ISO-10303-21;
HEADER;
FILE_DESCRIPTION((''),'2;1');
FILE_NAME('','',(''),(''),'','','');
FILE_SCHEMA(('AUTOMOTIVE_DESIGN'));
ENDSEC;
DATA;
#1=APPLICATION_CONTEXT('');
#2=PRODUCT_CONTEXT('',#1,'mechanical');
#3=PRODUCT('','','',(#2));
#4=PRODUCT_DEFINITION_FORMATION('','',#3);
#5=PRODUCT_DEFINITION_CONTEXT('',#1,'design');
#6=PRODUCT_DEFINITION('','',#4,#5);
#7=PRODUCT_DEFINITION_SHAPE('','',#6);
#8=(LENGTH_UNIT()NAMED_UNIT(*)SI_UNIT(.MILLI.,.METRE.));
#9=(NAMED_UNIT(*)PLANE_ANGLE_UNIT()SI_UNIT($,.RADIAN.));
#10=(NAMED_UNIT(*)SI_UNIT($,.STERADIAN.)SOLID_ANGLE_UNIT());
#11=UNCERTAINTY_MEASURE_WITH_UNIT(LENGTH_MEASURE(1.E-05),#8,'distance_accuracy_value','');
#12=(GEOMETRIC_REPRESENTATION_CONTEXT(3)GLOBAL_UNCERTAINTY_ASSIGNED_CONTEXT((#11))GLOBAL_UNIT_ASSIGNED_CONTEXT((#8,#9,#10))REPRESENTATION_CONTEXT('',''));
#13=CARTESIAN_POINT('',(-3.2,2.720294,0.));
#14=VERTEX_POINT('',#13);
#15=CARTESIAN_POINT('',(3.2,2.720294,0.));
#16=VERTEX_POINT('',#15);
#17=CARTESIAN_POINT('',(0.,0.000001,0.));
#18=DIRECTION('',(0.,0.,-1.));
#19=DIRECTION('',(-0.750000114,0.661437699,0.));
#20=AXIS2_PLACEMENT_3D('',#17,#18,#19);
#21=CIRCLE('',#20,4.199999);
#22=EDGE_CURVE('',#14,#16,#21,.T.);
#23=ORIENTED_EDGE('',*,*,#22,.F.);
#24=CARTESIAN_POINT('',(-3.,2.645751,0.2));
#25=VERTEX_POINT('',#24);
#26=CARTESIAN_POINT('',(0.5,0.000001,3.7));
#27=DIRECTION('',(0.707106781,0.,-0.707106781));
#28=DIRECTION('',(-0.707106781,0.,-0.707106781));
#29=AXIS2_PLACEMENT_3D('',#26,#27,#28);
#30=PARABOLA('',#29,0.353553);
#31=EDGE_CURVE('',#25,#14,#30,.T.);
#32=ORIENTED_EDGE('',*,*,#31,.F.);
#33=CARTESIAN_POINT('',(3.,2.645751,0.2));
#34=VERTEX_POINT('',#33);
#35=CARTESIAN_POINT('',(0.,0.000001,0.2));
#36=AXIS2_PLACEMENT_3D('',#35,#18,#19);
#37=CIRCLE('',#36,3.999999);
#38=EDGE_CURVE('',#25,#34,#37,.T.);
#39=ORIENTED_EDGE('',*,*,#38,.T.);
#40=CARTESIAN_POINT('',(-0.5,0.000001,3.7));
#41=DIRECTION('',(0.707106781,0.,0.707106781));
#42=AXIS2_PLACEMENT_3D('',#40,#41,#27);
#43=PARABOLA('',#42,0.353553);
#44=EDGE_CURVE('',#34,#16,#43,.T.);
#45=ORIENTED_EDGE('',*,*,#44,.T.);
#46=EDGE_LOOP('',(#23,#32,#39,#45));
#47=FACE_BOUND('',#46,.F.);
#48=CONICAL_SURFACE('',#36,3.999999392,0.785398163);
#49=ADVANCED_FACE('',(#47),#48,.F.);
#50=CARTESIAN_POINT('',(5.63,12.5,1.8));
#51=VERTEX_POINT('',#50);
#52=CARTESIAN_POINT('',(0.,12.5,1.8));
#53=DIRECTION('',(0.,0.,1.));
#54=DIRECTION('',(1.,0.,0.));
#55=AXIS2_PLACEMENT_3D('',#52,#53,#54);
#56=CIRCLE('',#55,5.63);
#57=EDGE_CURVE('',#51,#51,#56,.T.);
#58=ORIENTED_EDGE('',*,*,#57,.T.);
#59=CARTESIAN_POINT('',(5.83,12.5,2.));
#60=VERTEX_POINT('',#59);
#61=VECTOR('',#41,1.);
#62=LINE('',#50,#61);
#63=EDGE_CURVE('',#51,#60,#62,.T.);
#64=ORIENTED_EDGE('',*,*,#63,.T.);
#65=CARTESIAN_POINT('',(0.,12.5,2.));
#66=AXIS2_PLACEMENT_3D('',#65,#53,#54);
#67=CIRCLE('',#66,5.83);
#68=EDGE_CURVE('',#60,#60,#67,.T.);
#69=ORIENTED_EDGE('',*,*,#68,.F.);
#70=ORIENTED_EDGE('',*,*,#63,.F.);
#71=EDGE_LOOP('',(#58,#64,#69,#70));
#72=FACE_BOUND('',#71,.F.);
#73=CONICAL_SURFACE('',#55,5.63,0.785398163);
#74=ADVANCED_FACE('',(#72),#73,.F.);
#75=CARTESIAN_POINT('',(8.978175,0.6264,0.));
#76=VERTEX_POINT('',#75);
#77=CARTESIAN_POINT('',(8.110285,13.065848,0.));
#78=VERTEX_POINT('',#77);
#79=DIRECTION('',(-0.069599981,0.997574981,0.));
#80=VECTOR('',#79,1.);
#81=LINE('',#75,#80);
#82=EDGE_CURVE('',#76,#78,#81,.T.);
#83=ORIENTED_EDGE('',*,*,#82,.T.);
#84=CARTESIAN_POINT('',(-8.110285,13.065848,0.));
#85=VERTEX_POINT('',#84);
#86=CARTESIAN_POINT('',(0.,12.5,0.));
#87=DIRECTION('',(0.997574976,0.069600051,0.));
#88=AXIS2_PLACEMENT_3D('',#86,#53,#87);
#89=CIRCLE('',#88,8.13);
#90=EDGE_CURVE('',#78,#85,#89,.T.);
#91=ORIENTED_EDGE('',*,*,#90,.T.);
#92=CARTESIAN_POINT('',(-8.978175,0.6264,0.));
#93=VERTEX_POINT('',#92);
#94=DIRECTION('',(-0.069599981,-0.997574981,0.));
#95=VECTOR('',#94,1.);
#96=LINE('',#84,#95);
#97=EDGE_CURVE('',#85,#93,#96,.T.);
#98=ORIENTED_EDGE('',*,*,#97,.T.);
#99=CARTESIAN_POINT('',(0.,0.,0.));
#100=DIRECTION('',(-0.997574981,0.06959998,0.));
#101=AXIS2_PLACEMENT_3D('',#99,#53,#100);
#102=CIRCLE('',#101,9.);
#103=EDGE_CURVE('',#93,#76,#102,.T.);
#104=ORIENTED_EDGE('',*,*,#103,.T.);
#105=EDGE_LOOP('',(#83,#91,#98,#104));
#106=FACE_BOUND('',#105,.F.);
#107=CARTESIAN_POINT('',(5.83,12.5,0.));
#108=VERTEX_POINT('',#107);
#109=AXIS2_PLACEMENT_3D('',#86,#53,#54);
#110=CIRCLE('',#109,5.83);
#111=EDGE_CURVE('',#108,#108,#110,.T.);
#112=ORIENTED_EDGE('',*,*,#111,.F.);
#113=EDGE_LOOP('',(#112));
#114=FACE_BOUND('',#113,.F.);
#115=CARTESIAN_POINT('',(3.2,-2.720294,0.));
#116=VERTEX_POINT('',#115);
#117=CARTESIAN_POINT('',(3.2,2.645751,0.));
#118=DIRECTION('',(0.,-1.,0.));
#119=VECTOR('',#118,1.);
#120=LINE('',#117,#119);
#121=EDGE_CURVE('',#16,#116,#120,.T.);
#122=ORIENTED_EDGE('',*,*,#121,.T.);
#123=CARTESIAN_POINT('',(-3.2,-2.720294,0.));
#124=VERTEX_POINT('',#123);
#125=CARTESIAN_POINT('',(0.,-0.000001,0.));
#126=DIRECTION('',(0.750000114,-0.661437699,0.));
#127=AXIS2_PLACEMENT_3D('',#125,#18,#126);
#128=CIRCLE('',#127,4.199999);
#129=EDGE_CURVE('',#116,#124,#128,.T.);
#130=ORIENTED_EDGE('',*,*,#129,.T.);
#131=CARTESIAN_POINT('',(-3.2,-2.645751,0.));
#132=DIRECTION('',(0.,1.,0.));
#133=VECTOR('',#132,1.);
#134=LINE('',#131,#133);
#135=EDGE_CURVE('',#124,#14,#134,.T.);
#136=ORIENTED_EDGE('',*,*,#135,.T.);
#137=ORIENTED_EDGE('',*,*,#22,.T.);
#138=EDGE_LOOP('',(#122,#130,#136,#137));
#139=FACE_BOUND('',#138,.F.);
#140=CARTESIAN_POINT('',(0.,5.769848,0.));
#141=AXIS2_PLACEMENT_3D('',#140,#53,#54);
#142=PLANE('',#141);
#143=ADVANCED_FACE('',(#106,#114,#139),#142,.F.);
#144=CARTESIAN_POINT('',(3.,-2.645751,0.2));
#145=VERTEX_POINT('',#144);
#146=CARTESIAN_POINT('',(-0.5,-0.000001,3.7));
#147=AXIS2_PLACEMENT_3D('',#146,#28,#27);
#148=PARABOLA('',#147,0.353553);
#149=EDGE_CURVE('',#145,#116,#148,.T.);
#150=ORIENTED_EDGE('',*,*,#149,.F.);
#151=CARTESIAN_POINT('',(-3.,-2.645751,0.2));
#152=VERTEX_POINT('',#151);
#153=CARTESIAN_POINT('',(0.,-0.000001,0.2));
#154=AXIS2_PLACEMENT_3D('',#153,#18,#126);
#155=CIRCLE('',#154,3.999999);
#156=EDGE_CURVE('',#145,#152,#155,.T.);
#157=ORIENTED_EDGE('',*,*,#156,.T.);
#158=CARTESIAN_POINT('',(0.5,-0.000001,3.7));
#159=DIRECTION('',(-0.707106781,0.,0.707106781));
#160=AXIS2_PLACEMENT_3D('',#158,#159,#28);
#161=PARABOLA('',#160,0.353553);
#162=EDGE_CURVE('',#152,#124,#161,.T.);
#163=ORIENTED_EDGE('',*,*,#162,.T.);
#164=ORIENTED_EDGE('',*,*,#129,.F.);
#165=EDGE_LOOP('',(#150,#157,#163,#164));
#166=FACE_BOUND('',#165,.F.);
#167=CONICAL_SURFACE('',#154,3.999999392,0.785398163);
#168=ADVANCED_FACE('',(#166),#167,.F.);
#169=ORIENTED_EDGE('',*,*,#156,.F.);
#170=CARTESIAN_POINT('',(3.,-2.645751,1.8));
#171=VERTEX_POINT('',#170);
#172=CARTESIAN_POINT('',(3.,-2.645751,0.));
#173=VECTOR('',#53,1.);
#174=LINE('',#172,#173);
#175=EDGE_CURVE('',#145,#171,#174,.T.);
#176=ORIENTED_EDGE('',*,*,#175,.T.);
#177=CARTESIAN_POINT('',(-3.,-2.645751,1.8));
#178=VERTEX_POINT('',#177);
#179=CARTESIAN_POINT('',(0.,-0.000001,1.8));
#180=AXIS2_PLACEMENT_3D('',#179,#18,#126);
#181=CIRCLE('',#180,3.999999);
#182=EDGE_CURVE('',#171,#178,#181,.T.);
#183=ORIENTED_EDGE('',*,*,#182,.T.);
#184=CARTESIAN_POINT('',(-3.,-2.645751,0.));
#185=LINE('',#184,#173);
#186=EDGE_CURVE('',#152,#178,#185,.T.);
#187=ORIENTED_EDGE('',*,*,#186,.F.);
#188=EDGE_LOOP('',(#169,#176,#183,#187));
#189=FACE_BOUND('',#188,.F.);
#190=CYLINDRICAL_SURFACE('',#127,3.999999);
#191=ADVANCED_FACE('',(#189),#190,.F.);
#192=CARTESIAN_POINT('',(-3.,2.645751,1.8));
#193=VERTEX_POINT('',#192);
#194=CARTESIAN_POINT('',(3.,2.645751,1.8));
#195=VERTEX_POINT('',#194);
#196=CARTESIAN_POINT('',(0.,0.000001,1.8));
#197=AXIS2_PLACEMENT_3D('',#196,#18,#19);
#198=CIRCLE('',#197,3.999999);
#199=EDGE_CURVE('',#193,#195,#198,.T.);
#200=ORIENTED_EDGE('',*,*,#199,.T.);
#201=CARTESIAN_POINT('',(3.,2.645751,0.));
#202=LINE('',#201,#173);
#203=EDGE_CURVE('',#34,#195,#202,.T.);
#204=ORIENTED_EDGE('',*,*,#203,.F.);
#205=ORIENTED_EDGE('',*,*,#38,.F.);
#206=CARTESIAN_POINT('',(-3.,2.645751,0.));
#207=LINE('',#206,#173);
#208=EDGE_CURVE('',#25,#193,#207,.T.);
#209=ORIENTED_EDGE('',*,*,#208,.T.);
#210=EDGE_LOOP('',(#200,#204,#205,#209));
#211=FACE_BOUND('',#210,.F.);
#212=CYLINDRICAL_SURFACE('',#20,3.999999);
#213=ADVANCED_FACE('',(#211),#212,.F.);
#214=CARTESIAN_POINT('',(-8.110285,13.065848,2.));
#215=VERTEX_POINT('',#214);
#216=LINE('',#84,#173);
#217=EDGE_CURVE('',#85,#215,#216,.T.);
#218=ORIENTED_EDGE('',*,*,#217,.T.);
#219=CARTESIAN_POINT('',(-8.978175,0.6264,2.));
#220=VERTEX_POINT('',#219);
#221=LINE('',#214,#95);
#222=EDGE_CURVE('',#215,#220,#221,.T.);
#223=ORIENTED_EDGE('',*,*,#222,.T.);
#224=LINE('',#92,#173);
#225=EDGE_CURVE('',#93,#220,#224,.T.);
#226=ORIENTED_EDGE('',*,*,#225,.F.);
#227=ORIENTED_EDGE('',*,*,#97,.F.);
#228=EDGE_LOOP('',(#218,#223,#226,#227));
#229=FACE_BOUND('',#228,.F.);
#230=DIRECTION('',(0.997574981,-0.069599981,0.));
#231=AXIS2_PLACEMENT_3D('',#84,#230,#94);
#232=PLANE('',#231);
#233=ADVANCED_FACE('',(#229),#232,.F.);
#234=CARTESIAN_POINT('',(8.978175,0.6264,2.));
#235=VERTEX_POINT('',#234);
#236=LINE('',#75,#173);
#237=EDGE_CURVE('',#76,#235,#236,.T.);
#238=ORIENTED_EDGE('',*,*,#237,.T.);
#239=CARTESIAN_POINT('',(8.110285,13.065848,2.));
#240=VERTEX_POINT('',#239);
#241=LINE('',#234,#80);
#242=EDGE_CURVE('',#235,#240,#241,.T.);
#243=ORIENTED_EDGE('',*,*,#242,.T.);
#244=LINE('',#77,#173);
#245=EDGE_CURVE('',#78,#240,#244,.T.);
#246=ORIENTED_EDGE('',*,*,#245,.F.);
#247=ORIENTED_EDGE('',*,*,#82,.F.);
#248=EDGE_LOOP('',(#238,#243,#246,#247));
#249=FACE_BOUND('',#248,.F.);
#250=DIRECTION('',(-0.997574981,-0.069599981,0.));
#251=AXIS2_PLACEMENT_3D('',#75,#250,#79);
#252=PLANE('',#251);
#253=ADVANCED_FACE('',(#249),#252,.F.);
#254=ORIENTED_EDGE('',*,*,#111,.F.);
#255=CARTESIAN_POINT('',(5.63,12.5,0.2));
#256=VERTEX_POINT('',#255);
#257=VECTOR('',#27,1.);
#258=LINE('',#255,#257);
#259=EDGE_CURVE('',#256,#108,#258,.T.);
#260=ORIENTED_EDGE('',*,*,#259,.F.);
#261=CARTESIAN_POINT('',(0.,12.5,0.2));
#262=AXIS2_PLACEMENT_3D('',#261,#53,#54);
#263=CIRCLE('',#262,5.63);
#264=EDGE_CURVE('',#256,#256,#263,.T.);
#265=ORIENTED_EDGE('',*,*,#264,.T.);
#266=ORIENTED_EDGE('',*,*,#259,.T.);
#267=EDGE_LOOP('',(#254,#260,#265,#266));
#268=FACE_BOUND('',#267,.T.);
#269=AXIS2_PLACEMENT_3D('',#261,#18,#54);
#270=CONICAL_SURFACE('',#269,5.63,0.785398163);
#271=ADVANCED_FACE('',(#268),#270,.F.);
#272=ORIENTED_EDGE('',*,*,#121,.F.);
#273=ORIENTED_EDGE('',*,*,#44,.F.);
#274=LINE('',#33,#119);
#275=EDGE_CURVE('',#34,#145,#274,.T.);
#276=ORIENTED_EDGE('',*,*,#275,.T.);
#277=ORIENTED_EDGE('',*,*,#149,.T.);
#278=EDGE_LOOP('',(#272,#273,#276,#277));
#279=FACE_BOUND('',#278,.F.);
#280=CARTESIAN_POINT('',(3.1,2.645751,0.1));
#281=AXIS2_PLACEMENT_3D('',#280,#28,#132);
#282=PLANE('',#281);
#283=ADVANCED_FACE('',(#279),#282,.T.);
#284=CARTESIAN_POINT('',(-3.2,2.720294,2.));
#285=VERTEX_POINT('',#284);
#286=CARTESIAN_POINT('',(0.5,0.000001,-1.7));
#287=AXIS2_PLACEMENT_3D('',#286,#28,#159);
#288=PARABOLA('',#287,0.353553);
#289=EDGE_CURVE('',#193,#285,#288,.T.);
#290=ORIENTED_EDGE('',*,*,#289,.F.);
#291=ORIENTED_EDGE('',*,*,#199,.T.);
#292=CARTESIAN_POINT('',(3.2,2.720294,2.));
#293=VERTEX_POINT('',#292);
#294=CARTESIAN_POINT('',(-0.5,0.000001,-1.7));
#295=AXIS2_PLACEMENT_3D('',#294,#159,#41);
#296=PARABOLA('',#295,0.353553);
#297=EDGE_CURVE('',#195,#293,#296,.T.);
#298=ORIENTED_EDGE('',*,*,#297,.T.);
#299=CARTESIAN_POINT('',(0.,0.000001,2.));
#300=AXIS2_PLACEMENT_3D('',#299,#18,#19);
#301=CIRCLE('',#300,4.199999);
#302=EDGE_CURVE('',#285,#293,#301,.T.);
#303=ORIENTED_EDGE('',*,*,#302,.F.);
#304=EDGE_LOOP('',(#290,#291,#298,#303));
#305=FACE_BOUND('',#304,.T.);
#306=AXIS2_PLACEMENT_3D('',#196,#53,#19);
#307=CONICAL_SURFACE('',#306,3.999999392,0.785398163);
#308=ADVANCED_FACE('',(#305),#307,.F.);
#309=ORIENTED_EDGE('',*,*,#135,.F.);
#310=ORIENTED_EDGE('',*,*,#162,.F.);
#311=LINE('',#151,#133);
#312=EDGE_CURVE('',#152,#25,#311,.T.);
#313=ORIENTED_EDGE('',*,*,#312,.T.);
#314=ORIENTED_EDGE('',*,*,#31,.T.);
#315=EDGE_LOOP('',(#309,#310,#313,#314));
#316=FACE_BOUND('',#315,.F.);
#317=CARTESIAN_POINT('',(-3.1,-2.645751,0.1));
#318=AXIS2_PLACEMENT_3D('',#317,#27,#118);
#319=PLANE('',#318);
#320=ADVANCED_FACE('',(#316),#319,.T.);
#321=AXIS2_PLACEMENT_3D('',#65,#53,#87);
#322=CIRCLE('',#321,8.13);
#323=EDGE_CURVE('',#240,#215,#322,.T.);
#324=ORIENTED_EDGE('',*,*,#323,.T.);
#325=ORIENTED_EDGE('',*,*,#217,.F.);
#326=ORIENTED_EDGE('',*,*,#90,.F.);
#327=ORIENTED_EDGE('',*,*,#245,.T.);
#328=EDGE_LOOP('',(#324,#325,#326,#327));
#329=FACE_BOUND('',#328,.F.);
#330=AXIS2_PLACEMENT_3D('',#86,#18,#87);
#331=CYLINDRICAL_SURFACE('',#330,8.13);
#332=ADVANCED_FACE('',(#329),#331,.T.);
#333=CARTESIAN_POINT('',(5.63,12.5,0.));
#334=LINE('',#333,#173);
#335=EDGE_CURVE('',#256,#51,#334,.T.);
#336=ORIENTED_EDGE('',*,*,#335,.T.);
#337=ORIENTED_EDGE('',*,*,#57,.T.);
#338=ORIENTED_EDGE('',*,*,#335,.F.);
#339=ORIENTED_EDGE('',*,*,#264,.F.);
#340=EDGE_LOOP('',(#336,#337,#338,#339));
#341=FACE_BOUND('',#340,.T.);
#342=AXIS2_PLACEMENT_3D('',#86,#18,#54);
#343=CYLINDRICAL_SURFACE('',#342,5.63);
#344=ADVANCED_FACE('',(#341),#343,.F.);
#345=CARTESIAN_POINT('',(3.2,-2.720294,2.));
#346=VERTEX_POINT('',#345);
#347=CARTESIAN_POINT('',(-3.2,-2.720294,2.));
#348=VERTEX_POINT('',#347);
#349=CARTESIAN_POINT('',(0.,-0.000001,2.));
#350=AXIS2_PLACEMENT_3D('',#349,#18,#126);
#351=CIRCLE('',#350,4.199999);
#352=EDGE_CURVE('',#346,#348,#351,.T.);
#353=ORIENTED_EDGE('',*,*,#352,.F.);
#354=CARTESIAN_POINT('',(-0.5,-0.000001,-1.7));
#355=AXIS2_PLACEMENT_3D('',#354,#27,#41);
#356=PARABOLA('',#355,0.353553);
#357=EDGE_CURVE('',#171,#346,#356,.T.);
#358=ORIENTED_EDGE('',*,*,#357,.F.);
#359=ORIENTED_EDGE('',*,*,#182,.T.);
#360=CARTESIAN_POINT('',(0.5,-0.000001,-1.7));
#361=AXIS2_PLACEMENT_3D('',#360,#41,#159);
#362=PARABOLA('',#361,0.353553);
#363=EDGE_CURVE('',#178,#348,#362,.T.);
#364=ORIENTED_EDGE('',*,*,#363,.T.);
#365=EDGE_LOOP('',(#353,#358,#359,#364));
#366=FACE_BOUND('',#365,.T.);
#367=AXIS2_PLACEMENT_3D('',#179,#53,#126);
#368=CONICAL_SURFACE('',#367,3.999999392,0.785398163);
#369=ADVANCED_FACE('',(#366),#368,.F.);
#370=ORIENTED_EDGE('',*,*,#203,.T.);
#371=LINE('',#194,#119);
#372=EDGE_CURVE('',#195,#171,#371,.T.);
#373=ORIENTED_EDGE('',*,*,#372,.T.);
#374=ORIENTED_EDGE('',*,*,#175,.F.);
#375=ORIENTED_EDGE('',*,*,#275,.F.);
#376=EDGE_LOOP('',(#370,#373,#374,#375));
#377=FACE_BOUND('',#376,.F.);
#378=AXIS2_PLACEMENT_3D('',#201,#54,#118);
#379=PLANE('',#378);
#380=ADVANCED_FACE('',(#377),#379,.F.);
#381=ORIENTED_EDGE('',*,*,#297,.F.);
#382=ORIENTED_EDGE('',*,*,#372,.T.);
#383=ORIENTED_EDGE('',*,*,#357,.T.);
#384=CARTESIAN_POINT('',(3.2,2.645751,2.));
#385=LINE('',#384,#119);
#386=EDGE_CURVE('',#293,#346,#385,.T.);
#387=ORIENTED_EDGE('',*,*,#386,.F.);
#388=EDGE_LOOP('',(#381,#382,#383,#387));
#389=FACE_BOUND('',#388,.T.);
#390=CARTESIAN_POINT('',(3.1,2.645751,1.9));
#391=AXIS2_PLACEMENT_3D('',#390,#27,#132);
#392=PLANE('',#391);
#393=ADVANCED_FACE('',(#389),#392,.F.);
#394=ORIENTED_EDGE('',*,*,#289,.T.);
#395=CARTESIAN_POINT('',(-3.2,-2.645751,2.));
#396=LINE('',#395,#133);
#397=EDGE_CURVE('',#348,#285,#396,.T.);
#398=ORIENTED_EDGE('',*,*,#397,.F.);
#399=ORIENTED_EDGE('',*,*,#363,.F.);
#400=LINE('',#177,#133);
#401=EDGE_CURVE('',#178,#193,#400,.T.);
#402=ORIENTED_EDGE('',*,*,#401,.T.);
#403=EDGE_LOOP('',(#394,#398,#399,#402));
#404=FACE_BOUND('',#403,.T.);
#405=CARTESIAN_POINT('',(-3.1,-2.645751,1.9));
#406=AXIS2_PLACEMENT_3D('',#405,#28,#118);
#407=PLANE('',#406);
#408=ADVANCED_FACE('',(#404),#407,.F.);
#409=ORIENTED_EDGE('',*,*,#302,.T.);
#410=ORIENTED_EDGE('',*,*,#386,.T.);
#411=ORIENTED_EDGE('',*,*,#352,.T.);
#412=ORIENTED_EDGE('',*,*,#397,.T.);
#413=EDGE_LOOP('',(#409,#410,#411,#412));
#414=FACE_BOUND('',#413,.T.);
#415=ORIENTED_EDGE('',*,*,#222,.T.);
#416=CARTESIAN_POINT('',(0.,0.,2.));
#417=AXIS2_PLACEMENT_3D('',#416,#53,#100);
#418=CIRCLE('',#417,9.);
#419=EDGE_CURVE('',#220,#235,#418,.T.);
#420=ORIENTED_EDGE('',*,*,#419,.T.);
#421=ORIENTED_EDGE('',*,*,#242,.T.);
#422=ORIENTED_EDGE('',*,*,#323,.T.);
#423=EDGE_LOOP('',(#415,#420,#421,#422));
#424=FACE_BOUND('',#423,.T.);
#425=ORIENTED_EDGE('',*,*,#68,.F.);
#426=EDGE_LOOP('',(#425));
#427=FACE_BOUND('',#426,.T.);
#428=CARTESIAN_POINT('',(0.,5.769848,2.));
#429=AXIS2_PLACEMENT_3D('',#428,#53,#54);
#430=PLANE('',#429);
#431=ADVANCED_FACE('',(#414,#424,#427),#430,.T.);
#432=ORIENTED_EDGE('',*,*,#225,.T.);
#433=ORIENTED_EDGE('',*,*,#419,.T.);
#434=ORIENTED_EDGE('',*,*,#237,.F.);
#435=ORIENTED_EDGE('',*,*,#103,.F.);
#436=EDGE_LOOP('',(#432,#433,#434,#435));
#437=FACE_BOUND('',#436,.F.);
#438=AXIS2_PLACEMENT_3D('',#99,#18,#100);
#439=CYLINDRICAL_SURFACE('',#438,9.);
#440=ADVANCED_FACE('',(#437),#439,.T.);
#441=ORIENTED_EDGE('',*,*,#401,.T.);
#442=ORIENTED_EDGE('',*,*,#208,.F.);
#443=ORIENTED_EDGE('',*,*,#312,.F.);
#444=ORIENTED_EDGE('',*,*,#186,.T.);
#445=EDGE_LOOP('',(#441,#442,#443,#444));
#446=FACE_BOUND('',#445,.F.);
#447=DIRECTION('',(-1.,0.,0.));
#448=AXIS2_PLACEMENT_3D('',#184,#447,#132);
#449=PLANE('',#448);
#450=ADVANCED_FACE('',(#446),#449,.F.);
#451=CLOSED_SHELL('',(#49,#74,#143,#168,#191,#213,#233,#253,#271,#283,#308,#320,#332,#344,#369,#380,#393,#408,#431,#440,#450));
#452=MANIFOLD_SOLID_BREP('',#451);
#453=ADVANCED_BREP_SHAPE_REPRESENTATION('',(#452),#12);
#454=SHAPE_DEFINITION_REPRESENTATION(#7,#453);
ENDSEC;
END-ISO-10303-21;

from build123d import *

# Parameters (mm, degrees)
F0_R     = 5.63
F1_DEPTH = 2
F2_SIZE2 = 0.2
F2_SIZE  = 0.2


with BuildPart() as f1:
    # F0 (on Top) → F1 (new body)
    with BuildSketch(Plane.XY):
        with BuildLine():
            Line((-8.110285, 13.065848), (-8.978175, 0.6264))
            ThreePointArc((-8.978175, 0.6264), (0, -9), (8.978175, 0.6264))
            Line((8.978175, 0.6264), (8.110285, 13.065848))
            ThreePointArc((8.110285, 13.065848), (0, 20.63), (-8.110285, 13.065848))
        make_face()
        with BuildLine():
            ThreePointArc((3, -2.645751), (0, -4), (-3, -2.645751))
            Line((-3, -2.645751), (-3, 2.645751))
            ThreePointArc((-3, 2.645751), (0, 4), (3, 2.645751))
            Line((3, 2.645751), (3, -2.645751))
        make_face(mode=Mode.SUBTRACT)
        with Locations((0, 12.5)):
            Circle(F0_R, mode=Mode.SUBTRACT)
    extrude(amount=F1_DEPTH)

    # F2
    f2_edges = [f1.edges().sort_by_distance(p)[0] for p in [
        (-3, 0, 2),
        (0, -4, 2),
        (3, 0, 2),
        (0, 4, 2),
        (3, 0, 0),
        (0, -4, 0),
        (0, 4, 0),
        (-3, 0, 0),
        (-5.63, 12.5, 2),
        (-5.63, 12.5, 0),
    ]]
    chamfer(f2_edges, length=F2_SIZE, length2=F2_SIZE2)


solid = f1.part
